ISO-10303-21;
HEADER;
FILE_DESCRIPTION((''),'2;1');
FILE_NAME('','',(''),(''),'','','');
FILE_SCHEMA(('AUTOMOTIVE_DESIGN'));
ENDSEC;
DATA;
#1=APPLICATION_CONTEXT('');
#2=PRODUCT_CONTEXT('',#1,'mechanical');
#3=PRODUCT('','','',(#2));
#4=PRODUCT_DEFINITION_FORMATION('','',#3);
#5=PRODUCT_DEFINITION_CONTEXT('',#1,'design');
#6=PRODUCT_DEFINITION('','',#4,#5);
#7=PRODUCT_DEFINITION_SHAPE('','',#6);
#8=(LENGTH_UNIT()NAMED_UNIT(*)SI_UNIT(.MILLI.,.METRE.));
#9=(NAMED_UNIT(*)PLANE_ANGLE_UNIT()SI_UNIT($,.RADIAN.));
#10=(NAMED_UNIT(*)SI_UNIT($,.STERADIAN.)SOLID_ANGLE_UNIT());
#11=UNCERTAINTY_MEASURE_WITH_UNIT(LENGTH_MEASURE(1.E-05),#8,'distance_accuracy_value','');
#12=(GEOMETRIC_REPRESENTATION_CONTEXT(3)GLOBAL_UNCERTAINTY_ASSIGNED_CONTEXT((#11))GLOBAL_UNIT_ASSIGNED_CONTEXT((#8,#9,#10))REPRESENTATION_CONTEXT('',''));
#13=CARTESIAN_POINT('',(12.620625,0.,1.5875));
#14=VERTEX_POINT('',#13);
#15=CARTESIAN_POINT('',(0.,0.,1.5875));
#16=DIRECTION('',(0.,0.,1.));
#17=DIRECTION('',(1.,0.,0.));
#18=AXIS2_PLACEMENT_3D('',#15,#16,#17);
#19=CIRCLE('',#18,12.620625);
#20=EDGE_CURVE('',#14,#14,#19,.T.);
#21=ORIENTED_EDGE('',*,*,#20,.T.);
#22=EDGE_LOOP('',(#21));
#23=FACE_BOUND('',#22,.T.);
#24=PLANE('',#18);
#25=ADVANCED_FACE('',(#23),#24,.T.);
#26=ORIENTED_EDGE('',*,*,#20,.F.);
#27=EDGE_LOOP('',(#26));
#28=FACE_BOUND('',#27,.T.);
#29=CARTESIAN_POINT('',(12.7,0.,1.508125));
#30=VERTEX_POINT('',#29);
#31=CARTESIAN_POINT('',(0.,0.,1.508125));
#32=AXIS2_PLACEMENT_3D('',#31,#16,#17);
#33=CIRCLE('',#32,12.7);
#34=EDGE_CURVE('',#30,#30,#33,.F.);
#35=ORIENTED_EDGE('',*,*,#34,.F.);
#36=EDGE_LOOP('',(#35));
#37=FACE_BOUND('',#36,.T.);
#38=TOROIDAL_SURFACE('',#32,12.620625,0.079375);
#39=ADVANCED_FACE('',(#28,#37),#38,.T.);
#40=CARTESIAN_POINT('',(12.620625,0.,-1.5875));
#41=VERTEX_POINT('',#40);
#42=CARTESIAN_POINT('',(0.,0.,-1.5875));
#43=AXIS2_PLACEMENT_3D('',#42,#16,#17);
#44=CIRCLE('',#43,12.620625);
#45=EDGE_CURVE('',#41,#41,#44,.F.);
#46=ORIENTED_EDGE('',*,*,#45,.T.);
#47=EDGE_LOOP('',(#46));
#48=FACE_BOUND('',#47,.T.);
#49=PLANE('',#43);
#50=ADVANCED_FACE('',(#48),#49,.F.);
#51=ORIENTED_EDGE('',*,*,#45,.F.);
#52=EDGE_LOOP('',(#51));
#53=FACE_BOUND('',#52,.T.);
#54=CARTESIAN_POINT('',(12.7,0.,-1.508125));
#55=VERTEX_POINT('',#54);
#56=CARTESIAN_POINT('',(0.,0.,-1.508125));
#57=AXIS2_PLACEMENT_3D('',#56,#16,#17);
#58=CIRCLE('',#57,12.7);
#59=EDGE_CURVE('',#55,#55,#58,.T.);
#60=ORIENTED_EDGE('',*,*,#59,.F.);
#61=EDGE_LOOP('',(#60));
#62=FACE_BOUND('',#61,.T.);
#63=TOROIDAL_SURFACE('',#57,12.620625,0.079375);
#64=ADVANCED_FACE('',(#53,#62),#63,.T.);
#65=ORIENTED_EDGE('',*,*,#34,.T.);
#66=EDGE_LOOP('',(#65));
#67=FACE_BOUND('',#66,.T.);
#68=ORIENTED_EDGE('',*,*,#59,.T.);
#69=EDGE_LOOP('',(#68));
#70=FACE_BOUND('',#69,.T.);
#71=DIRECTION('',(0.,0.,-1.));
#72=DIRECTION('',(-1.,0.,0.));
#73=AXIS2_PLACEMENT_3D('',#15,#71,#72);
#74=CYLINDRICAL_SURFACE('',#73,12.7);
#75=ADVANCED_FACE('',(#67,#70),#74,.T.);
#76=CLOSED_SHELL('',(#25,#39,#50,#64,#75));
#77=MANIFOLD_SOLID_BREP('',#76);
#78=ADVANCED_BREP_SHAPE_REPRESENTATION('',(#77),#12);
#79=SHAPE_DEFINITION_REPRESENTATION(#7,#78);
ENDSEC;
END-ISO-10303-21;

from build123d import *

# Parameters (mm, degrees)
SKETCH3_R                = 12.7
BOSS_EXTRUDE1_DEPTH      = 1.5875
BOSS_EXTRUDE1_DEPTH_BACK = 1.5875
FILLET1_R                = 0.079375


with BuildPart() as part:
    # Sketch3 → Boss-Extrude1 (new body, two sides)
    with BuildSketch(Plane.XY) as boss_extrude1_sk:
        Circle(SKETCH3_R)
    extrude(amount=BOSS_EXTRUDE1_DEPTH)
    extrude(boss_extrude1_sk.sketch, amount=-BOSS_EXTRUDE1_DEPTH_BACK)

    # Fillet1
    fillet1_edges = [part.edges().sort_by_distance(p)[0] for p in [
        (-12.7, 0, -1.5875),
        (-12.7, 0, 1.5875),
    ]]
    fillet(fillet1_edges, radius=FILLET1_R)


solid = part.part
